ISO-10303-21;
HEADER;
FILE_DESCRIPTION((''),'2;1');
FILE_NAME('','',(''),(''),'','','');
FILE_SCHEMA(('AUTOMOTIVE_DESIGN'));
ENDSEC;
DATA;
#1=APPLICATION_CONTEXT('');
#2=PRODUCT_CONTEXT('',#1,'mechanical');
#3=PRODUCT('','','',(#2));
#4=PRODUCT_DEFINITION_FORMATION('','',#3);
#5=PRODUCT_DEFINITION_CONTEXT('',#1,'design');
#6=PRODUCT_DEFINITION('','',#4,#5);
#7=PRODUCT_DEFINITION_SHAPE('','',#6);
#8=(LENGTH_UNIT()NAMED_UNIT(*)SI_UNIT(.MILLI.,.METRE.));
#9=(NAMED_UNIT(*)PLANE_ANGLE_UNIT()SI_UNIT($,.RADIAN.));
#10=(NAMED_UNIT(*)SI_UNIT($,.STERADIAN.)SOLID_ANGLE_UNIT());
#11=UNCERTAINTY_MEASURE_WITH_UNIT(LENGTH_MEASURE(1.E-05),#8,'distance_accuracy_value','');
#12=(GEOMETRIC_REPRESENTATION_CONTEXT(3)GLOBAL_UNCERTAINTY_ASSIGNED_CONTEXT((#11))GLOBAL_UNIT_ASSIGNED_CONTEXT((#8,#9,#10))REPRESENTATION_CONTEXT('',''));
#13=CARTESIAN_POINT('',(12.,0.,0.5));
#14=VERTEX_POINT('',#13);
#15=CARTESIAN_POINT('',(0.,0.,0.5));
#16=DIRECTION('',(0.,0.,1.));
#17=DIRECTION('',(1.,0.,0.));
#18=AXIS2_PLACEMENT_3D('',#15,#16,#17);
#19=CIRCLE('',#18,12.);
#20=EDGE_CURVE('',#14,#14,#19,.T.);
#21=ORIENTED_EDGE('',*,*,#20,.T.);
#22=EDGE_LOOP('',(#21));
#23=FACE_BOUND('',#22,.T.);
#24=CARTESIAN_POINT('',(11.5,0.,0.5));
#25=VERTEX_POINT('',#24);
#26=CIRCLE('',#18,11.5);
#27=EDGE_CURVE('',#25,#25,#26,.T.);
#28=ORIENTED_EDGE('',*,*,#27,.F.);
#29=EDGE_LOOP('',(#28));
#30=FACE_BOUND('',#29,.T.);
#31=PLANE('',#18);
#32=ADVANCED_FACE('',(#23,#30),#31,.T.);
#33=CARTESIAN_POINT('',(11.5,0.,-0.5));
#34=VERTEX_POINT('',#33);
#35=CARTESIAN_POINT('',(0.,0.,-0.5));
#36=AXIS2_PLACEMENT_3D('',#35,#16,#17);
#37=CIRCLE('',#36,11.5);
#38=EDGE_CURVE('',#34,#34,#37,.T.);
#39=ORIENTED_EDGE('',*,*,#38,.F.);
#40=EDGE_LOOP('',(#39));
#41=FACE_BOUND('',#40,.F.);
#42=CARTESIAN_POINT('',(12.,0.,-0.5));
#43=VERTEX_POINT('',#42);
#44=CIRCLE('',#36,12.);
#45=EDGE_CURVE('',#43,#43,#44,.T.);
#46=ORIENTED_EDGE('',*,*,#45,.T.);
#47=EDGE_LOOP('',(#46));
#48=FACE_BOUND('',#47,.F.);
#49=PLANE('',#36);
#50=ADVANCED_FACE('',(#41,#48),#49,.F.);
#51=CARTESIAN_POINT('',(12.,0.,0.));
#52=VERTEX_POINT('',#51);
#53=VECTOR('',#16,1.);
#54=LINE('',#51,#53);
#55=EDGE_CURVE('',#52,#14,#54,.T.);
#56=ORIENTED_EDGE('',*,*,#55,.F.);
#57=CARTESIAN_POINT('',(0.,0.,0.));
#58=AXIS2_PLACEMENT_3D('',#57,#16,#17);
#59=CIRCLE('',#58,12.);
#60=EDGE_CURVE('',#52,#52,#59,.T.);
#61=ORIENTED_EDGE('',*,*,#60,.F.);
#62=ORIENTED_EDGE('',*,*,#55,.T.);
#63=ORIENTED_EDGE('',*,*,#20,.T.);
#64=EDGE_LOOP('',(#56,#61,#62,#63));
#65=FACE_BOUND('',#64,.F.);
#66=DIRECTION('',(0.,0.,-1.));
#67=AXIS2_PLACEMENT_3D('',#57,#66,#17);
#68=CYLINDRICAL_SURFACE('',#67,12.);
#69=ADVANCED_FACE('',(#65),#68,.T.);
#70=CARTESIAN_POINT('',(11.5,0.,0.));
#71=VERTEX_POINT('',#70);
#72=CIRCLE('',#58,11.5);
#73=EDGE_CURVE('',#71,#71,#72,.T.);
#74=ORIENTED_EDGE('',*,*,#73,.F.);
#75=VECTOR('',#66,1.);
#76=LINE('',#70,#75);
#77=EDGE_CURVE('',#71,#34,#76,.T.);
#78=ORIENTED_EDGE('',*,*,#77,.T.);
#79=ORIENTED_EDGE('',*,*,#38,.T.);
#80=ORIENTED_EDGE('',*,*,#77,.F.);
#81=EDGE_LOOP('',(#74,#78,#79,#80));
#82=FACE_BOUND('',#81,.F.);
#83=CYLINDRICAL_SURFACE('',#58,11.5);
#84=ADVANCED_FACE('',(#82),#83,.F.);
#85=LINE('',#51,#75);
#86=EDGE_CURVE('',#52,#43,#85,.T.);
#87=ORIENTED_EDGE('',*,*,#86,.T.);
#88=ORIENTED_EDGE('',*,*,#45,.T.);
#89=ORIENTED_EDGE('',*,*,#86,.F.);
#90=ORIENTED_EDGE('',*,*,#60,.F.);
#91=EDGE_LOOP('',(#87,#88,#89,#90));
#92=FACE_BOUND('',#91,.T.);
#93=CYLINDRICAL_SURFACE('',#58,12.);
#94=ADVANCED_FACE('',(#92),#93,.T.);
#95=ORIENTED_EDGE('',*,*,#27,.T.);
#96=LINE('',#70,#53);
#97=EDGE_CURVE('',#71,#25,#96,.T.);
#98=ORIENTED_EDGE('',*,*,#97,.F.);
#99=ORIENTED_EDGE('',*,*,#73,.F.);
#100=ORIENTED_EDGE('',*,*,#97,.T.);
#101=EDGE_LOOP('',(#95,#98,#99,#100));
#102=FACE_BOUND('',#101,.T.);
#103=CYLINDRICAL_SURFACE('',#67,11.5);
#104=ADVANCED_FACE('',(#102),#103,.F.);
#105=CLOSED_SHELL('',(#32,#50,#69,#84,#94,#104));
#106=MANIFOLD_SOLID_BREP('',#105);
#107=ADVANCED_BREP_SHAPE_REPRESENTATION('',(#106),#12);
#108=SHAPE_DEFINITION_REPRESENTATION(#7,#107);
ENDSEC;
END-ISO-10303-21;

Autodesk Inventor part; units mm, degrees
ref_plane "YZ Plane" through (0, 0, 0) normal (1, 0, 0) x (0, 1, 0)
ref_plane "XZ Plane" through (0, 0, 0) normal (0, 1, 0) x (-1, 0, 0)
ref_plane "XY Plane" through (0, 0, 0) normal (0, 0, 1) x (1, 0, 0)
sketch "Sketch1" plane through (0, 0, 0) normal (0, 0, 1) x (1, 0, 0)
  circle A0 centre (0, 0) radius 12
  circle A1 centre (0, 0) radius 11.5
  dimension "d0" = 24
  dimension "d1" = 23
extrude "Extrusion1" add sketch "Sketch1" along normal mid plane 1
properties part number "52"
